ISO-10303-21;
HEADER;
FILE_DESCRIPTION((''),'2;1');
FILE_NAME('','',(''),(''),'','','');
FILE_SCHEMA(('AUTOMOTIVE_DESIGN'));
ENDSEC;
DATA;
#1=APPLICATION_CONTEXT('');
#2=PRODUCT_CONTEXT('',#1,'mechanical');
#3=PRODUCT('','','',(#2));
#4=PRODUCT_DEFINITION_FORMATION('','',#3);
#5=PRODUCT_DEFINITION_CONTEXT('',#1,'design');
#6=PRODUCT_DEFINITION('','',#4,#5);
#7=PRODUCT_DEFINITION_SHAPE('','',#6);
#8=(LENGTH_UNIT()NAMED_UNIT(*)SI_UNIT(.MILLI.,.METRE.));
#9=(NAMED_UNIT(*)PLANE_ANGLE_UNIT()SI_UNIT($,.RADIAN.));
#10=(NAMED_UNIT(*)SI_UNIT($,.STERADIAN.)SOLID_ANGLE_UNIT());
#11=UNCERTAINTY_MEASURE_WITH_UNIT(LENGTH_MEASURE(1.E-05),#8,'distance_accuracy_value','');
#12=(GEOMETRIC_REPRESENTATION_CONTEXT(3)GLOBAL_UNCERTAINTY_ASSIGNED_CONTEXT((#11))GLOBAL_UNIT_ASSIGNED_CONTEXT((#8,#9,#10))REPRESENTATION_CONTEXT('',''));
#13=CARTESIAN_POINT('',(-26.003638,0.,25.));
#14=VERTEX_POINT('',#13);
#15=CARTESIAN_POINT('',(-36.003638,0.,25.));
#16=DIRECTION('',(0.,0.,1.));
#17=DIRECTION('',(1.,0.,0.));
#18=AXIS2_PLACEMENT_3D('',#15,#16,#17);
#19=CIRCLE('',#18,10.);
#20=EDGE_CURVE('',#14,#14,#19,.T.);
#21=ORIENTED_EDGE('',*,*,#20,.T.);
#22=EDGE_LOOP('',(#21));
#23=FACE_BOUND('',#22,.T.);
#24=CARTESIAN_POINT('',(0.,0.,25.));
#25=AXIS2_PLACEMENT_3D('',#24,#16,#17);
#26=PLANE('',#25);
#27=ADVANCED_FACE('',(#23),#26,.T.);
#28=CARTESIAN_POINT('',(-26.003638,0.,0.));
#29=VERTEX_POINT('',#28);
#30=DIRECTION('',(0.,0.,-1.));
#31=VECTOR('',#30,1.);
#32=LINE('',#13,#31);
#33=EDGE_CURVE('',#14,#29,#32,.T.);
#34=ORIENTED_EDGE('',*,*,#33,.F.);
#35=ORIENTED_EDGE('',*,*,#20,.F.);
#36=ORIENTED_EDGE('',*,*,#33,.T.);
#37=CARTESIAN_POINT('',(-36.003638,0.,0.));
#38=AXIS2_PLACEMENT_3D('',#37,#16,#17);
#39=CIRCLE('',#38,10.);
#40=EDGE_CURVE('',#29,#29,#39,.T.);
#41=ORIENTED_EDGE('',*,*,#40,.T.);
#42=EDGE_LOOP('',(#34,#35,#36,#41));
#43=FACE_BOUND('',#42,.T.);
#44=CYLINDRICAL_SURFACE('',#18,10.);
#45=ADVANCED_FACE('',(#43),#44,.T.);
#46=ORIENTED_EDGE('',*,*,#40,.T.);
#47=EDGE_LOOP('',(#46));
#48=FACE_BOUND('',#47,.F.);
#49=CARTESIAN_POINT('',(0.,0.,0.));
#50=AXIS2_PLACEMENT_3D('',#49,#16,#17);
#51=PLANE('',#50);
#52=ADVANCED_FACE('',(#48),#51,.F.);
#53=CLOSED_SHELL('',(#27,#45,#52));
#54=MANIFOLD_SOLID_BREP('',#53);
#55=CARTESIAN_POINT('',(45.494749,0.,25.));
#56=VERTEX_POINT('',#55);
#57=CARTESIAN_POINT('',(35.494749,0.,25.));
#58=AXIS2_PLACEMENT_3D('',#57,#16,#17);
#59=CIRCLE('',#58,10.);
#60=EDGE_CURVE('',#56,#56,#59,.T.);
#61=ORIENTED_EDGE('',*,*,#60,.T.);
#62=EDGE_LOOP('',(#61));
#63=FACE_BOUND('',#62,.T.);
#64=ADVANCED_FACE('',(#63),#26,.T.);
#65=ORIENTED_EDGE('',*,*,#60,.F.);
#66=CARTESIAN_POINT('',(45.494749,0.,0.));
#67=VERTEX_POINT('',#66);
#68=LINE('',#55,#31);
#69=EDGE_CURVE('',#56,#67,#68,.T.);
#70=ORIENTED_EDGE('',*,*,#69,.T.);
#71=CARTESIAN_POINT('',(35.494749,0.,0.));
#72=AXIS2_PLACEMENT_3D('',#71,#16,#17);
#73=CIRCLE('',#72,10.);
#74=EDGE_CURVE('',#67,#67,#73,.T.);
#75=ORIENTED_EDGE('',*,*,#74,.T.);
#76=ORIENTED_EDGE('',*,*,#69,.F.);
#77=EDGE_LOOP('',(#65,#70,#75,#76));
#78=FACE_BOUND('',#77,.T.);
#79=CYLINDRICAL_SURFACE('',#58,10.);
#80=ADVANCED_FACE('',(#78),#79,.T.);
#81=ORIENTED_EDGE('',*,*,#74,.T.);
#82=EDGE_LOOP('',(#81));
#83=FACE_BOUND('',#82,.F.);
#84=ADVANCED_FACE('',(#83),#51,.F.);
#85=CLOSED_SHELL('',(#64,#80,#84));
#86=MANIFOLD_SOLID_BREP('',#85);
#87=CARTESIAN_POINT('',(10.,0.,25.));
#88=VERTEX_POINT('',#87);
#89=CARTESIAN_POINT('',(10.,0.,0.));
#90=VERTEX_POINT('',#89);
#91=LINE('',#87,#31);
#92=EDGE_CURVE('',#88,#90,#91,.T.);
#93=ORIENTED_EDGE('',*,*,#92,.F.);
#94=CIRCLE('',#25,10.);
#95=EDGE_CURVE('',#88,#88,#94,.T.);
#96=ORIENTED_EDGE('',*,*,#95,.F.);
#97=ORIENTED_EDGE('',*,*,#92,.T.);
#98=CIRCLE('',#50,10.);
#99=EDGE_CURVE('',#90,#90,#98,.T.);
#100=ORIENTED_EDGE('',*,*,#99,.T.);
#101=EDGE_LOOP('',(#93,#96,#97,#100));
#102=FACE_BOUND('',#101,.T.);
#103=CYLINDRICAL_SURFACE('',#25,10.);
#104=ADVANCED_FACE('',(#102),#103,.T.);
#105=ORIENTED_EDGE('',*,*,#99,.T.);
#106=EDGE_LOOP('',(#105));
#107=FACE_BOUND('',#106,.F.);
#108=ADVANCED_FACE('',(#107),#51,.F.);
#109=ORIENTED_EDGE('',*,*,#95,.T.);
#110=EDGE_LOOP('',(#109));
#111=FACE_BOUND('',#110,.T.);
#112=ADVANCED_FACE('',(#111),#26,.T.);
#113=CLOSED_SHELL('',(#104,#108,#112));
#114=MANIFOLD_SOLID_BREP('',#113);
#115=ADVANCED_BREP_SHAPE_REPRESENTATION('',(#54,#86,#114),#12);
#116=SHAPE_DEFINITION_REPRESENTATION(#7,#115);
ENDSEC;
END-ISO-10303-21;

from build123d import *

# Parameters (mm, degrees)
F0_W     = 140
F0_H     = 60
F1_DEPTH = 25
F2_R     = 10
F3_DEPTH = 25


with BuildPart() as f1:
    # F0 (on Top) → F1 (new body)
    with BuildSketch(Plane.XY):
        Rectangle(F0_W, F0_H)
    extrude(amount=F1_DEPTH)

    # F2 (on face) → F3 (cut)
    with BuildSketch(Plane.XY.offset(25)):
        Polygon((-70, 0), (-70, -30), (70, -30), (70, 30), (-70, 30), align=None)
        with Locations((-36.003638, 0)):
            Circle(F2_R, mode=Mode.SUBTRACT)
        Circle(F2_R, mode=Mode.SUBTRACT)
        with Locations((35.494749, 0)):
            Circle(F2_R, mode=Mode.SUBTRACT)
    extrude(amount=-F3_DEPTH, mode=Mode.SUBTRACT)


solid = f1.part
